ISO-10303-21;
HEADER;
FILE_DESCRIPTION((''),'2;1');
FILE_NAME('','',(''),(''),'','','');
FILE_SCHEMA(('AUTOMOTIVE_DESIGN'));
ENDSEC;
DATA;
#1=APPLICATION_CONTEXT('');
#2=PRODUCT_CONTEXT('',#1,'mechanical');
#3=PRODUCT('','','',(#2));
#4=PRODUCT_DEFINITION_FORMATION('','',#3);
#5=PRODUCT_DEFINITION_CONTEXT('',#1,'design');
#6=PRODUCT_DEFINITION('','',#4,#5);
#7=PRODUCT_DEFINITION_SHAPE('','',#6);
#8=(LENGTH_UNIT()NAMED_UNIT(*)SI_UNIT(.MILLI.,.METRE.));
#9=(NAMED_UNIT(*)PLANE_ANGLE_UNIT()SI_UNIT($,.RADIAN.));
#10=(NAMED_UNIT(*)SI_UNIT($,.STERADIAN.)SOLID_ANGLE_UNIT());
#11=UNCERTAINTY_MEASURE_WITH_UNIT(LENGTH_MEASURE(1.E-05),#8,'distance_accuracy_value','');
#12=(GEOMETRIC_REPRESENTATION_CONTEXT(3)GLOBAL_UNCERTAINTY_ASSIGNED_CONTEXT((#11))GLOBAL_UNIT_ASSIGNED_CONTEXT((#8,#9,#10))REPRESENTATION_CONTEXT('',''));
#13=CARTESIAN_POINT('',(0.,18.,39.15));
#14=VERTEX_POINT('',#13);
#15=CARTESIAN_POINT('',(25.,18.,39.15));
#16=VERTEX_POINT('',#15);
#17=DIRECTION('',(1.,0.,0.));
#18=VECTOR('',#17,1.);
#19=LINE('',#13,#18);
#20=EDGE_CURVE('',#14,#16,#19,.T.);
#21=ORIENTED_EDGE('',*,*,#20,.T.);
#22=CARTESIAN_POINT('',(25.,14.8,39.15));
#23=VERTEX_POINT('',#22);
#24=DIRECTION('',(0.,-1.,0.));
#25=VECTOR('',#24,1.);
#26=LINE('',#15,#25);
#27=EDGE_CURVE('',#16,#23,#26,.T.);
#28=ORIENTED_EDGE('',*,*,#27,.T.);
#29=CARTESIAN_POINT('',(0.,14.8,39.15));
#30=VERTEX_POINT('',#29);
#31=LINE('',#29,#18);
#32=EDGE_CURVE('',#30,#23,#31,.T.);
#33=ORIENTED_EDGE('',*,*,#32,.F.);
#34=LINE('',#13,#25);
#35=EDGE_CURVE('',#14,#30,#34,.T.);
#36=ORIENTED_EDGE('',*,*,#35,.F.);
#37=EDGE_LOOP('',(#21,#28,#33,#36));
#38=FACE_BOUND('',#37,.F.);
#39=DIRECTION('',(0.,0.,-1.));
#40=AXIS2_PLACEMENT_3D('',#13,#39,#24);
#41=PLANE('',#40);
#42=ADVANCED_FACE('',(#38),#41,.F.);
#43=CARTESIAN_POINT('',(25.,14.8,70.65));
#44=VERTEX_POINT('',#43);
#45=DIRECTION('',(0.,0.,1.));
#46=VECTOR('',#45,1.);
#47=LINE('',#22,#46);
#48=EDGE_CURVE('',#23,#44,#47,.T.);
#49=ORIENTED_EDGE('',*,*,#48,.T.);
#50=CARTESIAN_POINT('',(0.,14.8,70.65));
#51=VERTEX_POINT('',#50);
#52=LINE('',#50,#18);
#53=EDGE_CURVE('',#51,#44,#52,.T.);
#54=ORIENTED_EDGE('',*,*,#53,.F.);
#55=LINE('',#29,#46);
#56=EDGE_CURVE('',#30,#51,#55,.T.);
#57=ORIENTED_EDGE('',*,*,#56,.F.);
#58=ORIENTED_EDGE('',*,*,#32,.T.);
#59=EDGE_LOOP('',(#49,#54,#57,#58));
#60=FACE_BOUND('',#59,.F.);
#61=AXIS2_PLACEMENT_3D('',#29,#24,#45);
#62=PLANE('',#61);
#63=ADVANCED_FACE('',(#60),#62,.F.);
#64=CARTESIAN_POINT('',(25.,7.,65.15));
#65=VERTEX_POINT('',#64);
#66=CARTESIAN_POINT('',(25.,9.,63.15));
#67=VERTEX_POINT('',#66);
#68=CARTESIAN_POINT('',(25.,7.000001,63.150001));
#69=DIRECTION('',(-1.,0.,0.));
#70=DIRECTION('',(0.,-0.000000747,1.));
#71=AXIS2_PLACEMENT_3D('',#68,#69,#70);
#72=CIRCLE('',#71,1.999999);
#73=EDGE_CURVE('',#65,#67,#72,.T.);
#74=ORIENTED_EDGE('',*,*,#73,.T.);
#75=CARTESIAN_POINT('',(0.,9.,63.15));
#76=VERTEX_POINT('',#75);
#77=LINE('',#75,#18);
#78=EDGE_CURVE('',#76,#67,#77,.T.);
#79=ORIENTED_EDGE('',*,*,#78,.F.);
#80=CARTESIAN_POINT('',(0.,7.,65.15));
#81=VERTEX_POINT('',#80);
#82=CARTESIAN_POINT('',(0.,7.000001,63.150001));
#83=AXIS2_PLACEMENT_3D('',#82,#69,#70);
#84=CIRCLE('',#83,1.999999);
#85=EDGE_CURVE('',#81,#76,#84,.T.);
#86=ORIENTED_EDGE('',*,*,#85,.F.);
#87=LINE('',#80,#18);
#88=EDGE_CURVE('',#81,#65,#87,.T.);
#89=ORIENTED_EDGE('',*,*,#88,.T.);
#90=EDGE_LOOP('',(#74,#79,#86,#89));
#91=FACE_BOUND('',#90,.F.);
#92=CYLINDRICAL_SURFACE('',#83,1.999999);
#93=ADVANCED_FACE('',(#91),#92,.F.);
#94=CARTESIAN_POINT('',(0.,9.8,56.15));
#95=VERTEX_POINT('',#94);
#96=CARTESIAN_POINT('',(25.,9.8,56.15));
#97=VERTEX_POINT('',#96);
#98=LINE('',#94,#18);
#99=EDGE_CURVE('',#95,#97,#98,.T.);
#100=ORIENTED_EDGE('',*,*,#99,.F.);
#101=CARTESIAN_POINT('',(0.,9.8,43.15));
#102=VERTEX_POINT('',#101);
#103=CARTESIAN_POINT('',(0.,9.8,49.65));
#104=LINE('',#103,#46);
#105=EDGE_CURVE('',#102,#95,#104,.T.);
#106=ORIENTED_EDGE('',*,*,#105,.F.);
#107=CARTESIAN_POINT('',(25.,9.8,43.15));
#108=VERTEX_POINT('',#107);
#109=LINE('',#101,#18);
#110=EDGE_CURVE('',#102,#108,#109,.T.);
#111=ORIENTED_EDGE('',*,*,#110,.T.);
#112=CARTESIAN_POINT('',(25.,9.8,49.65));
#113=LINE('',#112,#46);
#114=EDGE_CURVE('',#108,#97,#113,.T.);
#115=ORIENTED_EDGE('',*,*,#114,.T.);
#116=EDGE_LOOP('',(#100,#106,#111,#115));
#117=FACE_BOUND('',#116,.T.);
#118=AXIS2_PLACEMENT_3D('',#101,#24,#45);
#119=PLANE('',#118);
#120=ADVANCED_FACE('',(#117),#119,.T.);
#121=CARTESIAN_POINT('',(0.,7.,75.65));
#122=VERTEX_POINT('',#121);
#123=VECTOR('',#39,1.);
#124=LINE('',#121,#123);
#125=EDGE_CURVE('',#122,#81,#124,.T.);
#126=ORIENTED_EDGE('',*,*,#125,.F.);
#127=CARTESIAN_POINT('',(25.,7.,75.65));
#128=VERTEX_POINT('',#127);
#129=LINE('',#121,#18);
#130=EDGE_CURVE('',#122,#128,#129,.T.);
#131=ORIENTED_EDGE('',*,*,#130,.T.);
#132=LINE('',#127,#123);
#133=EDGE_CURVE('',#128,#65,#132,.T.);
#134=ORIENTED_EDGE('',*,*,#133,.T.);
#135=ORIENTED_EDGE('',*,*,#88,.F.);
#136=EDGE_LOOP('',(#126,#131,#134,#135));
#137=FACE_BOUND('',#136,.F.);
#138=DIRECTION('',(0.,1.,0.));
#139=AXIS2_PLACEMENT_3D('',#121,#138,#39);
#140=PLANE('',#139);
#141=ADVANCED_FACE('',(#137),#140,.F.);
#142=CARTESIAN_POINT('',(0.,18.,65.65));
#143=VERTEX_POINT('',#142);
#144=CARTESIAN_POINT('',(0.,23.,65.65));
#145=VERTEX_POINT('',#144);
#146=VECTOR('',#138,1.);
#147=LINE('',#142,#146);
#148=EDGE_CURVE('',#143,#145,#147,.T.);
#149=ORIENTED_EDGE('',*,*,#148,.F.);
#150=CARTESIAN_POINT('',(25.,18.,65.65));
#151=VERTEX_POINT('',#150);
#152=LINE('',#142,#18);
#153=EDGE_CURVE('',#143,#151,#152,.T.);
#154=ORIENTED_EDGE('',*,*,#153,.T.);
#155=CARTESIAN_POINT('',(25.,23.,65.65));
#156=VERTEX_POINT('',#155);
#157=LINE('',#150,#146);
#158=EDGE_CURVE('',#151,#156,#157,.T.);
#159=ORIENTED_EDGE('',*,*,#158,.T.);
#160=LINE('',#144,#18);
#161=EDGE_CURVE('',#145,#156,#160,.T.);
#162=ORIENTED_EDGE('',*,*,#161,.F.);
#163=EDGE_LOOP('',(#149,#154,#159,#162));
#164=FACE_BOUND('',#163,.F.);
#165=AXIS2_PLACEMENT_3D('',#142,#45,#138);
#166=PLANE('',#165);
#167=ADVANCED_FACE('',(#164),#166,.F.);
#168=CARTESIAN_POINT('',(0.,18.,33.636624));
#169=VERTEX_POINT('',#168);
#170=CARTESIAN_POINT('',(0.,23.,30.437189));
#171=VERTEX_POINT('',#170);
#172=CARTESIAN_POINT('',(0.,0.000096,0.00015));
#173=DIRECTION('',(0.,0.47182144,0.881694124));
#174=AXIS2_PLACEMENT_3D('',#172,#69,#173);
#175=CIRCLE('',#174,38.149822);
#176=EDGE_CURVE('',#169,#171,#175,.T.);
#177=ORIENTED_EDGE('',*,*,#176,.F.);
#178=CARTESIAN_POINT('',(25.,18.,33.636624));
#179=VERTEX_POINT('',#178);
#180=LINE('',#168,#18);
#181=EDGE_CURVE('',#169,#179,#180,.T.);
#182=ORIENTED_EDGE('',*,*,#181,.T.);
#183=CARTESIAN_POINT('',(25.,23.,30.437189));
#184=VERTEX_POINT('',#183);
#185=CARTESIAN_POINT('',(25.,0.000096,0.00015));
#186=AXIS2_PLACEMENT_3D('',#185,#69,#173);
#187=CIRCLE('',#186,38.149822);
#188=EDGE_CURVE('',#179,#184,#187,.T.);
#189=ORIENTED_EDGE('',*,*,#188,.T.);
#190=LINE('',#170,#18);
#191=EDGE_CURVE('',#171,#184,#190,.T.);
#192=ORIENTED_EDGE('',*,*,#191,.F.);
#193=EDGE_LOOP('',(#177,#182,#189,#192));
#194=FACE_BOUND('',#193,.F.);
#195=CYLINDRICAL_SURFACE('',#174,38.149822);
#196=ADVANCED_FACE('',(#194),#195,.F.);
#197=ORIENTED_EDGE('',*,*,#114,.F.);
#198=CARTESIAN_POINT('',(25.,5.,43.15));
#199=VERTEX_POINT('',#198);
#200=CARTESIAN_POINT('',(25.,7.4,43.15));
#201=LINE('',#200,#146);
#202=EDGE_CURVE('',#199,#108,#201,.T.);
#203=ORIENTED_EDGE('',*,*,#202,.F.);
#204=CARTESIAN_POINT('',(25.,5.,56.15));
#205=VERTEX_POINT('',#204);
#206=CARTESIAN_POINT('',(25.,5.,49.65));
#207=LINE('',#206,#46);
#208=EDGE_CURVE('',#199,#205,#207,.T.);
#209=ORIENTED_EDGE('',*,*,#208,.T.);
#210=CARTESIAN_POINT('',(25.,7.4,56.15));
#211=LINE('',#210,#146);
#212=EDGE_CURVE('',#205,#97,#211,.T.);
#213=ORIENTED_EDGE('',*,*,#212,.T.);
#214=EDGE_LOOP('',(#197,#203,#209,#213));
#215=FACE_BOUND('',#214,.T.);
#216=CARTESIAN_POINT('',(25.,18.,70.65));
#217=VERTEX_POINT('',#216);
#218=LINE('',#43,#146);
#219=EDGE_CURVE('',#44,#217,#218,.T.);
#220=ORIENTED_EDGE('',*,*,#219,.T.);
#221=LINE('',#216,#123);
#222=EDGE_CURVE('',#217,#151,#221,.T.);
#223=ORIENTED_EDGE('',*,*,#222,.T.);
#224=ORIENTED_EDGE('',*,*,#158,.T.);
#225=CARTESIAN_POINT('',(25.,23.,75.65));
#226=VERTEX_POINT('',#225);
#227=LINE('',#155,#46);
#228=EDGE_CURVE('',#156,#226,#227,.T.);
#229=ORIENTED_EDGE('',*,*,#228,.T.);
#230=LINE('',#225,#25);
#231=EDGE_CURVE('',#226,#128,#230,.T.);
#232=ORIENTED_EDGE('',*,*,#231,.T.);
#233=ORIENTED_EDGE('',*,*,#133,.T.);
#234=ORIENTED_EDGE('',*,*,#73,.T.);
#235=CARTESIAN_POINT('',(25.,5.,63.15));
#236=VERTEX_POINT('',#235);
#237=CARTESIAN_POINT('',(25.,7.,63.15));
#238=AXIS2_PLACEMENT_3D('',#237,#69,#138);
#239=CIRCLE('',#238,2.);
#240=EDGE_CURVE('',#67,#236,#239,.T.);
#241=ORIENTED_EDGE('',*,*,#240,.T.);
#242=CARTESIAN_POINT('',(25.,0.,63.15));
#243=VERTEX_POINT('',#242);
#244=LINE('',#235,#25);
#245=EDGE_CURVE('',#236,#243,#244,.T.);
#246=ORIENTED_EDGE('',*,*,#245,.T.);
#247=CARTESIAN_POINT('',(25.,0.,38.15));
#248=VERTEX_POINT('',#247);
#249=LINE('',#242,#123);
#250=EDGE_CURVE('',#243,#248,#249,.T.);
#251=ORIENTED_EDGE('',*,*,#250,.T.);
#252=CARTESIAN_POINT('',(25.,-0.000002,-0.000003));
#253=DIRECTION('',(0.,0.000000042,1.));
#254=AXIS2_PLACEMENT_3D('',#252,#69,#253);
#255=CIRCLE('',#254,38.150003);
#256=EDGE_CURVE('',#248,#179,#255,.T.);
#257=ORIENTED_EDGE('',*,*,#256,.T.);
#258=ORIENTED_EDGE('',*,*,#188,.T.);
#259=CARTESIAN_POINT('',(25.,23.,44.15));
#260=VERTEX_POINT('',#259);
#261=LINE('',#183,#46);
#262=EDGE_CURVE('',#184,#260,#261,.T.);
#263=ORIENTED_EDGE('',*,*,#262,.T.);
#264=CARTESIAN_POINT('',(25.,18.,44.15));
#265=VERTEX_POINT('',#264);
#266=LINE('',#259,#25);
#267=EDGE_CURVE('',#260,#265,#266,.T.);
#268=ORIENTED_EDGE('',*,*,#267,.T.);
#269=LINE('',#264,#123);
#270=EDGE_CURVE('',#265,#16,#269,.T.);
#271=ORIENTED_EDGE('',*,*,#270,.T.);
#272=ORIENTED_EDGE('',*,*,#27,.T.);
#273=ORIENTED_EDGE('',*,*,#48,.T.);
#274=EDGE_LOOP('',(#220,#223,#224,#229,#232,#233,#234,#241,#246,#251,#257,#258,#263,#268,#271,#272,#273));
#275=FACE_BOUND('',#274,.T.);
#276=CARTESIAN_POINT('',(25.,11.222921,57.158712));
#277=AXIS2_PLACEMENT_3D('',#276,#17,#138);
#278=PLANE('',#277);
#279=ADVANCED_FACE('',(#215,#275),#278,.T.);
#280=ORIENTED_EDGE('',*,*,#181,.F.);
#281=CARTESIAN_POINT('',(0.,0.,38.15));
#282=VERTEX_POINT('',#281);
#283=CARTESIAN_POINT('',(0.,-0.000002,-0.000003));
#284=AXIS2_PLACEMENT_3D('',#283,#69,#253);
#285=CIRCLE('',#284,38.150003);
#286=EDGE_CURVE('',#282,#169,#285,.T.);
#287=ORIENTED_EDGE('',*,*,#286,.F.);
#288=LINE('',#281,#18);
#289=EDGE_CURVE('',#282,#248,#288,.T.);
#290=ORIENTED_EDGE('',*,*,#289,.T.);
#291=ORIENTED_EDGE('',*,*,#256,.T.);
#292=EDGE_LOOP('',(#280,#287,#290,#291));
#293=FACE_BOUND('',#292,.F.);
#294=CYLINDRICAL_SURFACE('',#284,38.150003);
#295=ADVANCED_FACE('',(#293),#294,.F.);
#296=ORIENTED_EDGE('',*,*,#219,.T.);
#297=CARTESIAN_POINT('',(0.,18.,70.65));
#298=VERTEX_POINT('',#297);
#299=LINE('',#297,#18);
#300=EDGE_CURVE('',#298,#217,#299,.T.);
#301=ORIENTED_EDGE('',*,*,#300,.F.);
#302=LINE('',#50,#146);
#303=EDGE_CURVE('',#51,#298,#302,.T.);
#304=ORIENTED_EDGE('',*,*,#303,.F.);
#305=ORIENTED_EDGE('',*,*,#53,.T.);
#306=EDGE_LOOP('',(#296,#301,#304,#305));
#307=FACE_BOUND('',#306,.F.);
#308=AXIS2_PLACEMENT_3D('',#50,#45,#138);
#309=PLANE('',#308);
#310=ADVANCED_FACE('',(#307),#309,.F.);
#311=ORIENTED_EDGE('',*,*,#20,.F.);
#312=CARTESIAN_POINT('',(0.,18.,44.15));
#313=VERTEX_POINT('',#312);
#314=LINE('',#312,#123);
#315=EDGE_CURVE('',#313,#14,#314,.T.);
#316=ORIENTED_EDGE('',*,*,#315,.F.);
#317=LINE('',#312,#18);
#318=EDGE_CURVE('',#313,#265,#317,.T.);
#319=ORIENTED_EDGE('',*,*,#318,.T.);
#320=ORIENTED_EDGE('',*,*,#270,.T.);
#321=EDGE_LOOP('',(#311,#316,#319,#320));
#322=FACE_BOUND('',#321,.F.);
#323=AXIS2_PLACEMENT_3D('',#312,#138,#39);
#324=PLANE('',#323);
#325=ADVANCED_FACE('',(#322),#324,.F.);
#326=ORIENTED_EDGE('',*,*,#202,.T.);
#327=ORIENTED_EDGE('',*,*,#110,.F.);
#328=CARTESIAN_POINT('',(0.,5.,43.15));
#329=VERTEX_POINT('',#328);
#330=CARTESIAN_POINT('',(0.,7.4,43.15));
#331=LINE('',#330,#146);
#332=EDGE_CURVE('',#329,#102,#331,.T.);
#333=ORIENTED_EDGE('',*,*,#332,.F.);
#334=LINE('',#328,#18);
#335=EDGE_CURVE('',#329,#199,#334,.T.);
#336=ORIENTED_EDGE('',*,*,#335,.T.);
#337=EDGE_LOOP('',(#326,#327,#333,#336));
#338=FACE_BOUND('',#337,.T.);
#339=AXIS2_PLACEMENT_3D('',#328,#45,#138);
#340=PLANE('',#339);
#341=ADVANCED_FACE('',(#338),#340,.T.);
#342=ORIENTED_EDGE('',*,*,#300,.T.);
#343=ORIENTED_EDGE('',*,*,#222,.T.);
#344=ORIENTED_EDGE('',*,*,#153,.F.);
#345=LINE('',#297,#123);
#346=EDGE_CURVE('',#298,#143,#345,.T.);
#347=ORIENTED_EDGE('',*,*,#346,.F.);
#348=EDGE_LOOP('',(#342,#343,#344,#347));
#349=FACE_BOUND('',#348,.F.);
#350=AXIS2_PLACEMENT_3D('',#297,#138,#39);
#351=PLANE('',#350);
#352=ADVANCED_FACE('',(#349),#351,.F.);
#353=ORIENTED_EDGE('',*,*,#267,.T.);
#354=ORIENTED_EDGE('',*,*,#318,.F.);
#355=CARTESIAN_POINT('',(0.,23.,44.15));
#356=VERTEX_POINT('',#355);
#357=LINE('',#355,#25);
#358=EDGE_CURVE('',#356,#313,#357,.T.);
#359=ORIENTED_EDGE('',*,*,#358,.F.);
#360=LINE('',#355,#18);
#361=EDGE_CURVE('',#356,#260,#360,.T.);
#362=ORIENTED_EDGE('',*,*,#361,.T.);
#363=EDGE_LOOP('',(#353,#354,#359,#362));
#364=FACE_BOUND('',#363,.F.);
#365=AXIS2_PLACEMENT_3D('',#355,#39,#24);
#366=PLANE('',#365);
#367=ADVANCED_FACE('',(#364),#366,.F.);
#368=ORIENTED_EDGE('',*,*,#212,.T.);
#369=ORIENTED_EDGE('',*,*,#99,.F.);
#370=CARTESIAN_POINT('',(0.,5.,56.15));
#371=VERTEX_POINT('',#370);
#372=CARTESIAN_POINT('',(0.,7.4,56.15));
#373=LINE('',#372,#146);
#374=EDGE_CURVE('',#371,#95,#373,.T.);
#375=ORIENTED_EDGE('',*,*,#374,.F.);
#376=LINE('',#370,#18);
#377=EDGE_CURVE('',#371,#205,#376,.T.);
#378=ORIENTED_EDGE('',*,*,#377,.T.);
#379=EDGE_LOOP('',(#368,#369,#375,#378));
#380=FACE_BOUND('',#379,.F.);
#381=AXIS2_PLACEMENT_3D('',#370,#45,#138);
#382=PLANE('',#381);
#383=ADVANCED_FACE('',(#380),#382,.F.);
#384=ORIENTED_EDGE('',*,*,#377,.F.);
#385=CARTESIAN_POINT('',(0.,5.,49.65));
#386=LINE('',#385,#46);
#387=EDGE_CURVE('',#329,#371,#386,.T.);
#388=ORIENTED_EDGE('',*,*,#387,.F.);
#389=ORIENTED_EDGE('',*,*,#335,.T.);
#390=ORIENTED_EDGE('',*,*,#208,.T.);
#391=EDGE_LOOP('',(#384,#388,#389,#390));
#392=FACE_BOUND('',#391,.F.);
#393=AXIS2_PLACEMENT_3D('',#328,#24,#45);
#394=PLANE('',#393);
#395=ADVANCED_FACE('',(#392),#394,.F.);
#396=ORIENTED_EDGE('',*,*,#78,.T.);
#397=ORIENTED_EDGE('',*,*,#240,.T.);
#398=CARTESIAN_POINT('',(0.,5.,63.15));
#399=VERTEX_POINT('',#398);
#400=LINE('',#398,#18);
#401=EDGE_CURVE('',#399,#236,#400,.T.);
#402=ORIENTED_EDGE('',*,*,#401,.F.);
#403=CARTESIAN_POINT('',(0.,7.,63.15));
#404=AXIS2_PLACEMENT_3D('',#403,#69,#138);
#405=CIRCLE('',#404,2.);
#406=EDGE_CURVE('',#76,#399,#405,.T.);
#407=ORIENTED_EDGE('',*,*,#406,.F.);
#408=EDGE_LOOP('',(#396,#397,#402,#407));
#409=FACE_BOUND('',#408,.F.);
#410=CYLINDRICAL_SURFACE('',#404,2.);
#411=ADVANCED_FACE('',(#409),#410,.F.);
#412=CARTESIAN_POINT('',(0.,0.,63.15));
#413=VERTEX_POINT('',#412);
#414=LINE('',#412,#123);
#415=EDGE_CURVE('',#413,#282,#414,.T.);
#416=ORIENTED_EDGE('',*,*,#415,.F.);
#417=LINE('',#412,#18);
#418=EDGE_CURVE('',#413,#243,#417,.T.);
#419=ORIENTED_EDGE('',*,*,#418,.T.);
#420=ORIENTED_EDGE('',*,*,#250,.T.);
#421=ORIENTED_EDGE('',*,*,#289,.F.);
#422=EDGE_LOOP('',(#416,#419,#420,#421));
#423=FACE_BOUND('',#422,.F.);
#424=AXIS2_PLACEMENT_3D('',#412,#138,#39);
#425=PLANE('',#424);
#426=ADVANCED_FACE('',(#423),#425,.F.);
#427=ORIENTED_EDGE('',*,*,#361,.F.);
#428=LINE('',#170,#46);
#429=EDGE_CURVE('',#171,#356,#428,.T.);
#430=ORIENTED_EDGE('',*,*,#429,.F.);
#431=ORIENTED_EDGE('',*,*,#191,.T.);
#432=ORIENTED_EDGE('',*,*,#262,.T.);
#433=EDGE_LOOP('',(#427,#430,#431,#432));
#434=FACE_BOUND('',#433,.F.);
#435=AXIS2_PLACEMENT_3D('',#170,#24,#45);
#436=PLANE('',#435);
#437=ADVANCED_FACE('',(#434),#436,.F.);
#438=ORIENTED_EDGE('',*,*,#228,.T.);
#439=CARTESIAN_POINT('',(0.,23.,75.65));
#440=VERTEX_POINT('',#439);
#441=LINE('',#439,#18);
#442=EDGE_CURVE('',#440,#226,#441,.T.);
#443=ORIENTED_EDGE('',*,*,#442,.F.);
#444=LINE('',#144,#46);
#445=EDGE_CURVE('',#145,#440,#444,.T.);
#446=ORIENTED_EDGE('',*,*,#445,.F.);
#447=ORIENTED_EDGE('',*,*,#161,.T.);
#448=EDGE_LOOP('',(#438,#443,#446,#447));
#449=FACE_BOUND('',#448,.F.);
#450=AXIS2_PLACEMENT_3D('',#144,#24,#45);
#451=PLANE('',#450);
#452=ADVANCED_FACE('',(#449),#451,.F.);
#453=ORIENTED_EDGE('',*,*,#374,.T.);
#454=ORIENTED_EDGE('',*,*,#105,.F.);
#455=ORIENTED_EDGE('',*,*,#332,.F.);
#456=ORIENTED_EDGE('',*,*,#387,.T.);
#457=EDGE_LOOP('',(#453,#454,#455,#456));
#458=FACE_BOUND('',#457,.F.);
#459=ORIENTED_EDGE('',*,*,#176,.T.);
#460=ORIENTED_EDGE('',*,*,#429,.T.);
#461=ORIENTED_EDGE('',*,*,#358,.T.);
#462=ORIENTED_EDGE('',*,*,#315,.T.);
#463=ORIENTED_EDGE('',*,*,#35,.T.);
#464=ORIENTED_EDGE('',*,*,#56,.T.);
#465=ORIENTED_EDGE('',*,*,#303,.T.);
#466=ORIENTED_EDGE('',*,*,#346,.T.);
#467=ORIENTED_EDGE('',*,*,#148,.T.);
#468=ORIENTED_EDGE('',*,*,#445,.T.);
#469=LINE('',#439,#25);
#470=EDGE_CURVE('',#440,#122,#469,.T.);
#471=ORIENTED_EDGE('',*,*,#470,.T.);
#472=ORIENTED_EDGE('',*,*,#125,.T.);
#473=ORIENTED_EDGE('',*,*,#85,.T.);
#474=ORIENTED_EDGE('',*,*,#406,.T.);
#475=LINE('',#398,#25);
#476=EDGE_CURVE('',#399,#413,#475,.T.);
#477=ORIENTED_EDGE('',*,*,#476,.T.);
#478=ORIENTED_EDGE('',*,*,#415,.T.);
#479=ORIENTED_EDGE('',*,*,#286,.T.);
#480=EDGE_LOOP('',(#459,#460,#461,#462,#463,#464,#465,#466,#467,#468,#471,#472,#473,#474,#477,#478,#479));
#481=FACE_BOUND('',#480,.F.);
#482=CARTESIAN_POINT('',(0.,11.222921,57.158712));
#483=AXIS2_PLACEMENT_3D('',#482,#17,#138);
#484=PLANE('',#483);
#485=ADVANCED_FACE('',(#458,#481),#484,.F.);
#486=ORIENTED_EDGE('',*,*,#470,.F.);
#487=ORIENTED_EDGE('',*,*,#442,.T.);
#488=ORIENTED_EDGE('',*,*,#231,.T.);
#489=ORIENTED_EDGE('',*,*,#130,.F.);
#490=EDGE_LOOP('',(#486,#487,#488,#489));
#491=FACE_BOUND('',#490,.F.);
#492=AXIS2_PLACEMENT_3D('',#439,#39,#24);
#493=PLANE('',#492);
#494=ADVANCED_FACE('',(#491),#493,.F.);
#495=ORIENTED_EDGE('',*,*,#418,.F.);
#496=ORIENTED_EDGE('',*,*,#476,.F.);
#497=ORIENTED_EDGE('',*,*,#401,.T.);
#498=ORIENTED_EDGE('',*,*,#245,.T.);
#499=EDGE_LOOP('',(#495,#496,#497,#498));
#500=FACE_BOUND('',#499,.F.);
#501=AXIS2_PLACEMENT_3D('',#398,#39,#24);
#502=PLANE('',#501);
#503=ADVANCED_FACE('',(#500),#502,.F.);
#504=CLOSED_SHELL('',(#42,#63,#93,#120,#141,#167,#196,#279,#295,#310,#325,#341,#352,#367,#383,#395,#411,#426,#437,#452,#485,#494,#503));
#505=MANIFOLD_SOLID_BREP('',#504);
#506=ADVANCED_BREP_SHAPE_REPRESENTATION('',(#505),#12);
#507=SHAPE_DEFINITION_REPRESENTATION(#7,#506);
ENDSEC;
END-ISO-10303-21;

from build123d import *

# Parameters (mm, degrees)
F0_W     = 4.8
F0_H     = 13
F1_DEPTH = 25


with BuildPart() as f1:
    # F0 (on Right) → F1 (new body)
    with BuildSketch(Plane.YZ):
        with BuildLine():
            Line((0, 63.15), (0, 38.15))
            ThreePointArc((0, 38.15), (9.278612, 37.004457), (18, 33.636624))
            Line((18, 33.636624), (18, 39.15))
            Line((18, 39.15), (14.8, 39.15))
            Line((14.8, 39.15), (14.8, 70.65))
            Line((14.8, 70.65), (18, 70.65))
            Line((18, 70.65), (18, 65.65))
            Line((18, 65.65), (23, 65.65))
            Line((23, 65.65), (23, 75.65))
            Line((23, 75.65), (7, 75.65))
            Line((7, 75.65), (7, 65.15))
            ThreePointArc((7, 65.15), (8.414214, 64.564214), (9, 63.15))
            ThreePointArc((9, 63.15), (7, 61.15), (5, 63.15))
            Line((5, 63.15), (0, 63.15))
        make_face()
        with Locations((7.4, 49.65)):
            Rectangle(F0_W, F0_H, mode=Mode.SUBTRACT)
        with BuildLine():
            ThreePointArc((18, 33.636624), (20.562322, 32.134303), (23, 30.437189))
            Line((23, 30.437189), (23, 44.15))
            Line((23, 44.15), (18, 44.15))
            Line((18, 44.15), (18, 39.15))
            Line((18, 39.15), (18, 33.636624))
        make_face()
    extrude(amount=F1_DEPTH)


solid = f1.part
